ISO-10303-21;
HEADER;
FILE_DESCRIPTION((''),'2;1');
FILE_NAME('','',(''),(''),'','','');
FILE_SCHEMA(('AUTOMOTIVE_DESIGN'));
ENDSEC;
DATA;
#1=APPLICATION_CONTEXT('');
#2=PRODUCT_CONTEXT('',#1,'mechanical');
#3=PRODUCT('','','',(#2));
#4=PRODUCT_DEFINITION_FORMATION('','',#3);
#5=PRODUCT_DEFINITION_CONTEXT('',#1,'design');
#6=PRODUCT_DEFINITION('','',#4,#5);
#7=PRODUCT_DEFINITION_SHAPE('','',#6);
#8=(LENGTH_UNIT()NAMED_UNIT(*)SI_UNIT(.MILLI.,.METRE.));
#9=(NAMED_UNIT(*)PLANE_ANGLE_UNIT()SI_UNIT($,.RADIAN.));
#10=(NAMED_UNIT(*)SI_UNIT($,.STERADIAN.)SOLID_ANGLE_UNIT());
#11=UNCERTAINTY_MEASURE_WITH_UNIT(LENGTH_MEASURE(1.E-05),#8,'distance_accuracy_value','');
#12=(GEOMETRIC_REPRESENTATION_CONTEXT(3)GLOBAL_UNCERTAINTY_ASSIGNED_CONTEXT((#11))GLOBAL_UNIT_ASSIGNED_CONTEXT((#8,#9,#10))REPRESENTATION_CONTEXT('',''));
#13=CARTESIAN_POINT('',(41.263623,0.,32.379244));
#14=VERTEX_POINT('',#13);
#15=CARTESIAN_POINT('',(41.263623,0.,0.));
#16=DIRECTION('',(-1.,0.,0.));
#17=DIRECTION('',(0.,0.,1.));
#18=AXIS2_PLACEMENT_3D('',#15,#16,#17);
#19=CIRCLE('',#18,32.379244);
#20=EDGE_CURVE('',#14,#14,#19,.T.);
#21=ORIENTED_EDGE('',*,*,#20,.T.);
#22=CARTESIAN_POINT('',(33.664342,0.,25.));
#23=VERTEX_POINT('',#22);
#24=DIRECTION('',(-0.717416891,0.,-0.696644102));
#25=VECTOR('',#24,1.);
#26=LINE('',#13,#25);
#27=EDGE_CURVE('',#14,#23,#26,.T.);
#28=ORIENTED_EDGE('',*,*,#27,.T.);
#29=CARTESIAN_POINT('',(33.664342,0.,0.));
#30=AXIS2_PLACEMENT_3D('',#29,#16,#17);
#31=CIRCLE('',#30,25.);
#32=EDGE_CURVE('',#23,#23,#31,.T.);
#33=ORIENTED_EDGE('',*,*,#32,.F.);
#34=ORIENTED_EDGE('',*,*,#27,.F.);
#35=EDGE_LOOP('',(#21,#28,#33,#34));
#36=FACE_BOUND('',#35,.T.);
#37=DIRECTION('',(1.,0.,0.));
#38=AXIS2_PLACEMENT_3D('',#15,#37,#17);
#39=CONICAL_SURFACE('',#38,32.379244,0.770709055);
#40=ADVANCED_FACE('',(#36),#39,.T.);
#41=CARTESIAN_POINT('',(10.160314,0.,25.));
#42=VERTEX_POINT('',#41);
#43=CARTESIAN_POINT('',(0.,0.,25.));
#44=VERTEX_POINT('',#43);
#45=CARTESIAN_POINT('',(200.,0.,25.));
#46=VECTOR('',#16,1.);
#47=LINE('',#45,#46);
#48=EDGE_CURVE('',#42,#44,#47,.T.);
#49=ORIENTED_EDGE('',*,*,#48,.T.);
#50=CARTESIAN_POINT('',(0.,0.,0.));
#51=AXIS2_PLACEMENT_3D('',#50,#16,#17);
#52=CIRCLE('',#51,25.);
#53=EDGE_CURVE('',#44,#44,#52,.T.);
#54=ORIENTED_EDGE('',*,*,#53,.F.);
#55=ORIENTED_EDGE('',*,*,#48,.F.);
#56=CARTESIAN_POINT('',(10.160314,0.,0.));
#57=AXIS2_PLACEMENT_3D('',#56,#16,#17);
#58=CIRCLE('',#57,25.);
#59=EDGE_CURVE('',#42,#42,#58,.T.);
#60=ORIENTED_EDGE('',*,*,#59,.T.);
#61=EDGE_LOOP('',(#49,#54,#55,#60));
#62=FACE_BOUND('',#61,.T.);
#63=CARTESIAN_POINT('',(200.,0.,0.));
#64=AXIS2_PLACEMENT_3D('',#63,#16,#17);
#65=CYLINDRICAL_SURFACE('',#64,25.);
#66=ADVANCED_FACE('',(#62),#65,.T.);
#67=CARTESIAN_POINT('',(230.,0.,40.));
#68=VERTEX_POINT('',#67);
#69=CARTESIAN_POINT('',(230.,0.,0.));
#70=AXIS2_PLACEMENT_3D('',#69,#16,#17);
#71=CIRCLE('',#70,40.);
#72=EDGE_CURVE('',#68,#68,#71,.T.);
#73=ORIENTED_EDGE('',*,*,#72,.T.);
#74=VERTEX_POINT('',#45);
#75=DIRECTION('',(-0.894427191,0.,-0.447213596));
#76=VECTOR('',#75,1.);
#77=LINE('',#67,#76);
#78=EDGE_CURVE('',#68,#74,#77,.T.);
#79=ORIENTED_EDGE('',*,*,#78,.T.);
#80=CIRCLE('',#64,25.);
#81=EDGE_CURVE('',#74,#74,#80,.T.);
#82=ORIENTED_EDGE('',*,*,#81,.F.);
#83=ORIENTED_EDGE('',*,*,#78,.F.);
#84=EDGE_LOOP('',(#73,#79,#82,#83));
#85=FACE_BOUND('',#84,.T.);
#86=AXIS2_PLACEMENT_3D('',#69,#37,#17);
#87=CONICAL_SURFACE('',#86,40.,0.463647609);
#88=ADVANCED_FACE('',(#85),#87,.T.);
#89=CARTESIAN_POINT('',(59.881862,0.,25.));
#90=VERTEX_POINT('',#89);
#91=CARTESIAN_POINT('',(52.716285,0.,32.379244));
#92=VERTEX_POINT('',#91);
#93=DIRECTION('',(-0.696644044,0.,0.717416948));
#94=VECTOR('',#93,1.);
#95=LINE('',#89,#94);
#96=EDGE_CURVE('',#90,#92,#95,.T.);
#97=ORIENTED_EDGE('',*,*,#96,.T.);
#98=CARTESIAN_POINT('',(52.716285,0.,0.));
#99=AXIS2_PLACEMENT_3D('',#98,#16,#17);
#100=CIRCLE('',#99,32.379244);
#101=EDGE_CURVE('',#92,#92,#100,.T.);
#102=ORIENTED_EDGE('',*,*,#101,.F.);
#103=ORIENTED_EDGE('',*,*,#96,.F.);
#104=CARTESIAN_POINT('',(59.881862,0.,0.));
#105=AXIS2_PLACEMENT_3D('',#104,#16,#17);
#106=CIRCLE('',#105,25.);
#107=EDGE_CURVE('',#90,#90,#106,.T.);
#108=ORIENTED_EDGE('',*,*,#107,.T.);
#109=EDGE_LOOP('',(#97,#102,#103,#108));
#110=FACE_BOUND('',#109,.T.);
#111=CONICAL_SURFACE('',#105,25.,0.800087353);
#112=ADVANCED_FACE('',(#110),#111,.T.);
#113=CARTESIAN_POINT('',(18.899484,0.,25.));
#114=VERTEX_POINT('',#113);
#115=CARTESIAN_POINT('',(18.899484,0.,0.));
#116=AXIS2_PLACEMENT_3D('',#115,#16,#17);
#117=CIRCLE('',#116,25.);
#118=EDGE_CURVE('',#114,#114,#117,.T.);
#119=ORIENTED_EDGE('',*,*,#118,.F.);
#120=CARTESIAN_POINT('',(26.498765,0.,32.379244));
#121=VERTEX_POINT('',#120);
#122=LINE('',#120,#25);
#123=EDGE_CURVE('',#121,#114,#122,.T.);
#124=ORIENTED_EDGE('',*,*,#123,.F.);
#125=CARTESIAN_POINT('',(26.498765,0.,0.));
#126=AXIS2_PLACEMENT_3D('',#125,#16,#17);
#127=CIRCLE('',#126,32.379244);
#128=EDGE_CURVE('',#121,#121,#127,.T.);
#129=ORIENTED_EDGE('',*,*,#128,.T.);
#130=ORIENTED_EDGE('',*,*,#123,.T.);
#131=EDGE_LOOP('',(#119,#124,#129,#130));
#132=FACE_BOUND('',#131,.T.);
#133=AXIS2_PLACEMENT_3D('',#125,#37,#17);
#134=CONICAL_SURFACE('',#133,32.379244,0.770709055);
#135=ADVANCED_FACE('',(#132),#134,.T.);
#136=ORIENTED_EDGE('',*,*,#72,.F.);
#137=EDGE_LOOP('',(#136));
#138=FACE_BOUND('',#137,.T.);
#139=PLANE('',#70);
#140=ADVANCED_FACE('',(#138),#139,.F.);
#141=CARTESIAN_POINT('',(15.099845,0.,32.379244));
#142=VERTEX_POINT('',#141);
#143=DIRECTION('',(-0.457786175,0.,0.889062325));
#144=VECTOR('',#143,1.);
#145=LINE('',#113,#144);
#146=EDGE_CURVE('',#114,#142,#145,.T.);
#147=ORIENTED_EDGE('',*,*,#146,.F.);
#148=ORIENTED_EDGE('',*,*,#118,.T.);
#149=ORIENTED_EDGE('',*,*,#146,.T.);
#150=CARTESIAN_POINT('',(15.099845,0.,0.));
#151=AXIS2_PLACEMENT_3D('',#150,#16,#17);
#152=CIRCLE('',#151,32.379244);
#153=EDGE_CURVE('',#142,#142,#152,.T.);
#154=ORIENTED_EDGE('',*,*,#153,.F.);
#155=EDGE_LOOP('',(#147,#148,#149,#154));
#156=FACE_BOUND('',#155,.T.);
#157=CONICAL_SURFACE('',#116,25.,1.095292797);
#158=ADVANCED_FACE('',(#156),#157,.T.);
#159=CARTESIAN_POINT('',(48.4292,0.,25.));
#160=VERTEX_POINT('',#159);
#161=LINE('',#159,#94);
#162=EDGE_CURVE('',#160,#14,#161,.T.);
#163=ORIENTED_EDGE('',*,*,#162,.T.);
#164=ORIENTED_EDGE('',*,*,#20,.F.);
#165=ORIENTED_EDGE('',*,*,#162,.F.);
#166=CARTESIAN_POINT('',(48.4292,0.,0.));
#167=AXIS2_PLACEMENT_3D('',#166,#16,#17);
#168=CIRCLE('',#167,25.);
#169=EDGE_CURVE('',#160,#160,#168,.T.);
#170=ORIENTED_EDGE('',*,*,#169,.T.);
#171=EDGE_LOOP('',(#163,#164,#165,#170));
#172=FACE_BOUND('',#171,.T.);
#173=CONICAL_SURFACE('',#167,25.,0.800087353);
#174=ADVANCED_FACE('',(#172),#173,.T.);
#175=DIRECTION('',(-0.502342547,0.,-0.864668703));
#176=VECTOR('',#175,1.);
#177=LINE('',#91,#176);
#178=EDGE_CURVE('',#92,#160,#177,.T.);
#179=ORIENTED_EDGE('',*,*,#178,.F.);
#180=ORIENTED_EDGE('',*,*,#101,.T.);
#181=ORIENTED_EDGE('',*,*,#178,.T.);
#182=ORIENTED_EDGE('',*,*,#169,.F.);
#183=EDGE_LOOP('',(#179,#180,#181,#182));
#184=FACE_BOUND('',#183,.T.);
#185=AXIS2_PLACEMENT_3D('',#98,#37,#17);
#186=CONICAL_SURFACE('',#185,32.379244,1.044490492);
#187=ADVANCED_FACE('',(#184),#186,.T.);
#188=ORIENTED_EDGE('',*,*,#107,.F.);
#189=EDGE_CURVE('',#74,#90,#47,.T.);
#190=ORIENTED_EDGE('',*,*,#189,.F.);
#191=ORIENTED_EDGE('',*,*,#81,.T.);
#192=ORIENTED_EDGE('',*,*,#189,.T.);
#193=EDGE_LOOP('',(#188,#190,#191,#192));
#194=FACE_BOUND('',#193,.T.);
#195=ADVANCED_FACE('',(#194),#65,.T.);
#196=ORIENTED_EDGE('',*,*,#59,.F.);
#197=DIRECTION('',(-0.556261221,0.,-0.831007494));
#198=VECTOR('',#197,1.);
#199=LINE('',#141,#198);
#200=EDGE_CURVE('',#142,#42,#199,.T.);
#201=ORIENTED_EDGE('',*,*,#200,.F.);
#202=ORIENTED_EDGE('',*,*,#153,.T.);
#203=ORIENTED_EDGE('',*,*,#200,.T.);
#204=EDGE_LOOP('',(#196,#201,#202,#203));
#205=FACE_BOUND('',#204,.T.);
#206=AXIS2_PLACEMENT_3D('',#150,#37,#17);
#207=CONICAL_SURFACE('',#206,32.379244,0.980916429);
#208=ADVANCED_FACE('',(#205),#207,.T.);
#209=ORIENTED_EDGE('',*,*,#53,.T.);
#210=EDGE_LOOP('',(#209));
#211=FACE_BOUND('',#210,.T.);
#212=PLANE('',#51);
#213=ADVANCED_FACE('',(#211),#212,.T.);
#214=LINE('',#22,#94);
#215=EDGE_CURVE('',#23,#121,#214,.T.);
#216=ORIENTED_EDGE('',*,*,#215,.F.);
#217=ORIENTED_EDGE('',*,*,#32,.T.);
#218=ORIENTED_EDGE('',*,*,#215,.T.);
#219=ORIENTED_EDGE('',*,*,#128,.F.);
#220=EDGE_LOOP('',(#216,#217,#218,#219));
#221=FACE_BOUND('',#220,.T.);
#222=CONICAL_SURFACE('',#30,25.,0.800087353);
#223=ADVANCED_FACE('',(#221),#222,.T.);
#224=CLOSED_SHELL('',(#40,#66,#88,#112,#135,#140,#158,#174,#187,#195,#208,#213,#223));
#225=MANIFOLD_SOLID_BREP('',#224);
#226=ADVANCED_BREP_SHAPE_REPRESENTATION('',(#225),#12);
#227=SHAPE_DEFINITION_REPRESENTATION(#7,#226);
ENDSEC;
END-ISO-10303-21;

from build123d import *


with BuildPart() as f1:
    # F0 (on Front) → F1 (revolve)
    with BuildSketch(Plane.XZ):
        Polygon((10.160314, 25), (0, 25), (0, 0), (230, 0), (230, 40), (200, 25), (59.881862, 25), (48.4292, 25), (33.664342, 25), (18.899484, 25), align=None)
        Polygon((15.099845, 32.379244), (10.160314, 25), (18.899484, 25), align=None)
        Polygon((26.498765, 32.379244), (18.899484, 25), (33.664342, 25), align=None)
        Polygon((41.263623, 32.379244), (33.664342, 25), (48.4292, 25), align=None)
        Polygon((52.716285, 32.379244), (48.4292, 25), (59.881862, 25), align=None)
    revolve(axis=Axis((115, 0, 0), (-1, 0, 0)))


solid = f1.part
